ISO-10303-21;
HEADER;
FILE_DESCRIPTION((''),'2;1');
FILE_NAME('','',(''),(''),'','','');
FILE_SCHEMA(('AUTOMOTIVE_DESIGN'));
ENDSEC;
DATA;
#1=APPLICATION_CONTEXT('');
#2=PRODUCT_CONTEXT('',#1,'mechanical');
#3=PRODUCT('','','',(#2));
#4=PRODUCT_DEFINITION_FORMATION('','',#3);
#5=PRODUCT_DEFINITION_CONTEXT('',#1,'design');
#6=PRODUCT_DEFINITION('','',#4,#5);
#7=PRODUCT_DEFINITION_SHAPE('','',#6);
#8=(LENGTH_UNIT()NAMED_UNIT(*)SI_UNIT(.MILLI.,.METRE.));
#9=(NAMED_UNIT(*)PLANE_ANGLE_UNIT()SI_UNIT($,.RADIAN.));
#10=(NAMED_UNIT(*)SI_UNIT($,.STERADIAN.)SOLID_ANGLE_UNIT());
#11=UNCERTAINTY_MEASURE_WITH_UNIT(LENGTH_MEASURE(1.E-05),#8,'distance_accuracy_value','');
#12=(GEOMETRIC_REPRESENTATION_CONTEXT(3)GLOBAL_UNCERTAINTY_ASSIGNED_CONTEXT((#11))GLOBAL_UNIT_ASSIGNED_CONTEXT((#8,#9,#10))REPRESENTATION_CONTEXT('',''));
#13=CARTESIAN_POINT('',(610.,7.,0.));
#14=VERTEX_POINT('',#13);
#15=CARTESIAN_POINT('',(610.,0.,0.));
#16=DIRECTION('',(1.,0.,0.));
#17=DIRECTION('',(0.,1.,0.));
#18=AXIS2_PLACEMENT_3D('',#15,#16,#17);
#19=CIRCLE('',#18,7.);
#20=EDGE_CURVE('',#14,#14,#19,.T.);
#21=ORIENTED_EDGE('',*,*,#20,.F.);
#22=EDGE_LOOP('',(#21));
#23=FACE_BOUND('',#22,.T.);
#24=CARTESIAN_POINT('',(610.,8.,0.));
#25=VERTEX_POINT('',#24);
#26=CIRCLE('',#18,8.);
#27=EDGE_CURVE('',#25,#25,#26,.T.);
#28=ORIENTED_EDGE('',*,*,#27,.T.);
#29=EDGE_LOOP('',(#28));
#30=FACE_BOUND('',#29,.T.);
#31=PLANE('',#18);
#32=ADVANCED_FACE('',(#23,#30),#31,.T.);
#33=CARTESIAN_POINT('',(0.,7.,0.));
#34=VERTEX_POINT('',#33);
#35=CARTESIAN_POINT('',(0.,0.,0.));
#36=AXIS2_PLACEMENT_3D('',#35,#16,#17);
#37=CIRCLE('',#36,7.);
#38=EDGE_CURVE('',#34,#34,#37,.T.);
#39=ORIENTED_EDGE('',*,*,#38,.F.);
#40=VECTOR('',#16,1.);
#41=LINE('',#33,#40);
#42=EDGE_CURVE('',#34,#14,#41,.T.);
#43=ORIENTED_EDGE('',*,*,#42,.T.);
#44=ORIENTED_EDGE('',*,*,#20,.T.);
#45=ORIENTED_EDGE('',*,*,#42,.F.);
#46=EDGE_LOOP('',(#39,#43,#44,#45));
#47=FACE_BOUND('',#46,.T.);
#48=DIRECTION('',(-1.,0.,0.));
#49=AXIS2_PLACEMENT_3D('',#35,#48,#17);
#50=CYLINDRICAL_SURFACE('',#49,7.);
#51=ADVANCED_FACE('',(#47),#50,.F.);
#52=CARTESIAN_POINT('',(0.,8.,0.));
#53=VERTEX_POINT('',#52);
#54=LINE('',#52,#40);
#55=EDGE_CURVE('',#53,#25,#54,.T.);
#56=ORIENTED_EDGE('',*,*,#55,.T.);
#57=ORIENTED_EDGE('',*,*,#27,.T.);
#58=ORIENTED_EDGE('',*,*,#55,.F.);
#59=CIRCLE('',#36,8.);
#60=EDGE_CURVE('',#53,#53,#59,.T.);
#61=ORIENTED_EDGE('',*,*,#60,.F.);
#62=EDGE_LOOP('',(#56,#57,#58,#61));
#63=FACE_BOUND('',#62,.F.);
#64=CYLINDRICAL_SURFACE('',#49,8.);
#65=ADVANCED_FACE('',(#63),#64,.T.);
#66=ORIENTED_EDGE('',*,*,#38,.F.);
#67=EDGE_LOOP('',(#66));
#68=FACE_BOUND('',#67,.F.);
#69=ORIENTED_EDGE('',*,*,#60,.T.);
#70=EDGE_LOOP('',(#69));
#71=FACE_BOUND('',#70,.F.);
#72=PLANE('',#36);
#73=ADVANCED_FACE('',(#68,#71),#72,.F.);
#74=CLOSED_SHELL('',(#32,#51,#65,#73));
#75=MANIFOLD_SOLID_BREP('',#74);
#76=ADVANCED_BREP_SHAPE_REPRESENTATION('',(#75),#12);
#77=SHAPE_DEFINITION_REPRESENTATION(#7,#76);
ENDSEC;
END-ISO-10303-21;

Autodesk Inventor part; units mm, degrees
ref_plane "YZ Plane" through (0, 0, 0) normal (1, 0, 0) x (0, 1, 0)
ref_plane "XZ Plane" through (0, 0, 0) normal (0, 1, 0) x (-1, 0, 0)
ref_plane "Work Plane1" through (605, -164.446, -59) normal (1, 0, 0) x (0, 1, 0)
sketch "Sketch1" plane through (0, 0, 0) normal (1, 0, 0) x (0, 1, 0)
  circle A0 centre (0, 0) radius 8
  circle A1 centre (0, 0) radius 7
  dimension "d0" = 16
  dimension "d1" = 1
extrude "Extrusion1" add sketch "Sketch1" along normal blind 610
properties part number "TuboEstructuraE" material "Steel, Galvanized"
